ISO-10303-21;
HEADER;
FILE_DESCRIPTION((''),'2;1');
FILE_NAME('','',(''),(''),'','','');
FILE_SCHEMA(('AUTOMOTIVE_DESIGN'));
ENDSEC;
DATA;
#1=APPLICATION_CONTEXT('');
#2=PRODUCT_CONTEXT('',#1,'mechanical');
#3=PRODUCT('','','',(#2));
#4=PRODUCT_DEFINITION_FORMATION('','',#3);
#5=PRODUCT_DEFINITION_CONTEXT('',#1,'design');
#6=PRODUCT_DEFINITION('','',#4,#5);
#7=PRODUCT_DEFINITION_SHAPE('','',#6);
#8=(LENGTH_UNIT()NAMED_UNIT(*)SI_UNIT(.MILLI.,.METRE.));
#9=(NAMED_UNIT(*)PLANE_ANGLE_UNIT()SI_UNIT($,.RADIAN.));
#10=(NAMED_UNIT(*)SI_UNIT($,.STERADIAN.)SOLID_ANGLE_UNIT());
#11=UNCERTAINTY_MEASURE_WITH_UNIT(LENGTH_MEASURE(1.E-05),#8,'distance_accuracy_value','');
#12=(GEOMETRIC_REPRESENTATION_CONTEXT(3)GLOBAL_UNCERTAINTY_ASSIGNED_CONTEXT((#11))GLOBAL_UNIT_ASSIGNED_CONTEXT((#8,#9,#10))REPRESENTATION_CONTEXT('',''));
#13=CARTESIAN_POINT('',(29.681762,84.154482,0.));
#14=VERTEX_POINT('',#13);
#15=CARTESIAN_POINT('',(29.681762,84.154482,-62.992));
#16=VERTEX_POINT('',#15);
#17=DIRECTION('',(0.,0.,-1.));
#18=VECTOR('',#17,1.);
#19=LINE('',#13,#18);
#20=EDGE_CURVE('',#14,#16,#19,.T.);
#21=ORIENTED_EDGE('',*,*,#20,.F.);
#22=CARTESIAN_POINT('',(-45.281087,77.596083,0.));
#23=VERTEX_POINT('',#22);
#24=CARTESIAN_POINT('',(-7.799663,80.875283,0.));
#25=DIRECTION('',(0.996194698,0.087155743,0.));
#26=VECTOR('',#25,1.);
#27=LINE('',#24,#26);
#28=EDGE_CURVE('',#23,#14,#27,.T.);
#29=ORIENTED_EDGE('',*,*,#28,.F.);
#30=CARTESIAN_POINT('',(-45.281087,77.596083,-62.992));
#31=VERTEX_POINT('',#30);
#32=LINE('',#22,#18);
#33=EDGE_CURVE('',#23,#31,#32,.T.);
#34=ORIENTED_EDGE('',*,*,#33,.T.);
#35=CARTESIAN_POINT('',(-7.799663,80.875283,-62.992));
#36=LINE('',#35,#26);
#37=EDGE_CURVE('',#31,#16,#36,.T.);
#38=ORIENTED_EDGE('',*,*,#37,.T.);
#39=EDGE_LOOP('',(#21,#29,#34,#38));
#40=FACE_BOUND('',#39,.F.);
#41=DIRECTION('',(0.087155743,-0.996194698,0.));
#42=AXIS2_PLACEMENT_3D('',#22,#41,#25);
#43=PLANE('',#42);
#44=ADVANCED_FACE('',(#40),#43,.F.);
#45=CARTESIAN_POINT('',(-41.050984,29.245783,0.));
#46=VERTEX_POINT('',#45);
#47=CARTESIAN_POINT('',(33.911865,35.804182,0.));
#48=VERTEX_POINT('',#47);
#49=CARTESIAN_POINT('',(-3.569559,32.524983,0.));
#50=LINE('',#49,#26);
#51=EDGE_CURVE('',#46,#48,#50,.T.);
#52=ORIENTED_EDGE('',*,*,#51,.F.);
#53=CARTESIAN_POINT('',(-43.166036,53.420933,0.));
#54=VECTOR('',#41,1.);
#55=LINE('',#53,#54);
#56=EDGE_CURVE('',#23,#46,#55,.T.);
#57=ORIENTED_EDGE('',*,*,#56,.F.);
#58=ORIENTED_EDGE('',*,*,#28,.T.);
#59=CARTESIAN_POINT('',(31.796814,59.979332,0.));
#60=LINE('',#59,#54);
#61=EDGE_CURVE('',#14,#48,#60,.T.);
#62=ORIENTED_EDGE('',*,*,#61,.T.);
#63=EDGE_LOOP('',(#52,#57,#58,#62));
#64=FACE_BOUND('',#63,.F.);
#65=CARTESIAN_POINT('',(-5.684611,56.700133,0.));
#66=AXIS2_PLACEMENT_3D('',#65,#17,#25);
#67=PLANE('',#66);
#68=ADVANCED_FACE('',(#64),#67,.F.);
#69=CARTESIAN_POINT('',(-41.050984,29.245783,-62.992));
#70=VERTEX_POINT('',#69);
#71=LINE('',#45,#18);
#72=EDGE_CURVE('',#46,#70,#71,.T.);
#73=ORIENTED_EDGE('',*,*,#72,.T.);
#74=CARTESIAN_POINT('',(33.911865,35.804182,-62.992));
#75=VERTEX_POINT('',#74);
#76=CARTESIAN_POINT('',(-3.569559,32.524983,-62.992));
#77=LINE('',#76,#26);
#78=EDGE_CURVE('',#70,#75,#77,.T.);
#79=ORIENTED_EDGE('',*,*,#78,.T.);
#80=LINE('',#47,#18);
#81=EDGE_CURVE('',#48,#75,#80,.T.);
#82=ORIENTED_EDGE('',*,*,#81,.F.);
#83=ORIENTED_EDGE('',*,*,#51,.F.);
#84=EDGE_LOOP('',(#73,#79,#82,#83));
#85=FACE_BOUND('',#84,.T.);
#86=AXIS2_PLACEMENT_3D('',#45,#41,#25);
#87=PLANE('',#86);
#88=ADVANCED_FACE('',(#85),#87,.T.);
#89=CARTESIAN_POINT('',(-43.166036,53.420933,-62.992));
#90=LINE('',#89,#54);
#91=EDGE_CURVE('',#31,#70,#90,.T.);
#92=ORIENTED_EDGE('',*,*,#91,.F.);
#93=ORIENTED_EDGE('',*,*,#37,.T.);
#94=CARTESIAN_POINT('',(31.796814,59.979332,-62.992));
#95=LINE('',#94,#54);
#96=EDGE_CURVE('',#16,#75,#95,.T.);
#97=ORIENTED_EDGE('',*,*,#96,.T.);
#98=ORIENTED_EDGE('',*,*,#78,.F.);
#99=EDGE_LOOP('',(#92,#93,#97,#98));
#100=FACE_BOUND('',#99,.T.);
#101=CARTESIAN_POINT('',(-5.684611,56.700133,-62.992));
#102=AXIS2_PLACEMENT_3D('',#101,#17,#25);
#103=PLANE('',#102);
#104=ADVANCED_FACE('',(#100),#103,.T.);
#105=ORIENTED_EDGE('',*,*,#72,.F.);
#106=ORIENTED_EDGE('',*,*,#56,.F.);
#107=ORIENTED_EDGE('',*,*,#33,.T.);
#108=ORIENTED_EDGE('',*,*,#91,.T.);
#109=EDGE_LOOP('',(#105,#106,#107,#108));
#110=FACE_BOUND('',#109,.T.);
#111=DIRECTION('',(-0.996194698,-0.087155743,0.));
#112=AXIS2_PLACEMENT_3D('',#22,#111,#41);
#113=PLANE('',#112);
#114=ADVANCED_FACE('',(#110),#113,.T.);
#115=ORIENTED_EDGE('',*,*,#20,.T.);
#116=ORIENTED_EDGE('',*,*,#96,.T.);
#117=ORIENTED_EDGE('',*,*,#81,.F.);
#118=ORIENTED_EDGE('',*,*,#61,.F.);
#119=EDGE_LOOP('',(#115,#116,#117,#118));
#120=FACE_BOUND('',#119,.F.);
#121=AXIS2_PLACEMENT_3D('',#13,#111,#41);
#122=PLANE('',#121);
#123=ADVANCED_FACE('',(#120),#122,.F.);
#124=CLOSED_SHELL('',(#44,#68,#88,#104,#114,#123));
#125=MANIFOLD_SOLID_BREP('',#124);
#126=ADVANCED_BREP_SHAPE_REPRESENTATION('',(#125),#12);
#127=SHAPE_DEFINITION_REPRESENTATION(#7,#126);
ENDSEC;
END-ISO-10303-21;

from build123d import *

# Parameters (mm, degrees)
F0_W     = 75.2491950989
F0_H     = 48.5349902883
F1_DEPTH = 62.992
F2_ANGLE = 175
F3_ANGLE = -180


with BuildPart() as f1:
    # F0 (on Top) → F1 (new body)
    with BuildSketch(Plane.XY):
        with Locations((-3.7127323449, 11.5366871469)):
            Rectangle(F0_W, F0_H)
    extrude(amount=F1_DEPTH)


with BuildPart() as f1_1:
    # F2: moved
    add(f1.part.rotate(Axis((33.9118652046, 35.804182291, 31.496), (0, 0, -1)), F2_ANGLE))


with BuildPart() as f1_2:
    # F3: moved
    add(f1_1.part.rotate(Axis((31.7968136407, 59.9793322896, 0), (0.0871557427, -0.9961946981, 0)), F3_ANGLE))


solid = f1_2.part
